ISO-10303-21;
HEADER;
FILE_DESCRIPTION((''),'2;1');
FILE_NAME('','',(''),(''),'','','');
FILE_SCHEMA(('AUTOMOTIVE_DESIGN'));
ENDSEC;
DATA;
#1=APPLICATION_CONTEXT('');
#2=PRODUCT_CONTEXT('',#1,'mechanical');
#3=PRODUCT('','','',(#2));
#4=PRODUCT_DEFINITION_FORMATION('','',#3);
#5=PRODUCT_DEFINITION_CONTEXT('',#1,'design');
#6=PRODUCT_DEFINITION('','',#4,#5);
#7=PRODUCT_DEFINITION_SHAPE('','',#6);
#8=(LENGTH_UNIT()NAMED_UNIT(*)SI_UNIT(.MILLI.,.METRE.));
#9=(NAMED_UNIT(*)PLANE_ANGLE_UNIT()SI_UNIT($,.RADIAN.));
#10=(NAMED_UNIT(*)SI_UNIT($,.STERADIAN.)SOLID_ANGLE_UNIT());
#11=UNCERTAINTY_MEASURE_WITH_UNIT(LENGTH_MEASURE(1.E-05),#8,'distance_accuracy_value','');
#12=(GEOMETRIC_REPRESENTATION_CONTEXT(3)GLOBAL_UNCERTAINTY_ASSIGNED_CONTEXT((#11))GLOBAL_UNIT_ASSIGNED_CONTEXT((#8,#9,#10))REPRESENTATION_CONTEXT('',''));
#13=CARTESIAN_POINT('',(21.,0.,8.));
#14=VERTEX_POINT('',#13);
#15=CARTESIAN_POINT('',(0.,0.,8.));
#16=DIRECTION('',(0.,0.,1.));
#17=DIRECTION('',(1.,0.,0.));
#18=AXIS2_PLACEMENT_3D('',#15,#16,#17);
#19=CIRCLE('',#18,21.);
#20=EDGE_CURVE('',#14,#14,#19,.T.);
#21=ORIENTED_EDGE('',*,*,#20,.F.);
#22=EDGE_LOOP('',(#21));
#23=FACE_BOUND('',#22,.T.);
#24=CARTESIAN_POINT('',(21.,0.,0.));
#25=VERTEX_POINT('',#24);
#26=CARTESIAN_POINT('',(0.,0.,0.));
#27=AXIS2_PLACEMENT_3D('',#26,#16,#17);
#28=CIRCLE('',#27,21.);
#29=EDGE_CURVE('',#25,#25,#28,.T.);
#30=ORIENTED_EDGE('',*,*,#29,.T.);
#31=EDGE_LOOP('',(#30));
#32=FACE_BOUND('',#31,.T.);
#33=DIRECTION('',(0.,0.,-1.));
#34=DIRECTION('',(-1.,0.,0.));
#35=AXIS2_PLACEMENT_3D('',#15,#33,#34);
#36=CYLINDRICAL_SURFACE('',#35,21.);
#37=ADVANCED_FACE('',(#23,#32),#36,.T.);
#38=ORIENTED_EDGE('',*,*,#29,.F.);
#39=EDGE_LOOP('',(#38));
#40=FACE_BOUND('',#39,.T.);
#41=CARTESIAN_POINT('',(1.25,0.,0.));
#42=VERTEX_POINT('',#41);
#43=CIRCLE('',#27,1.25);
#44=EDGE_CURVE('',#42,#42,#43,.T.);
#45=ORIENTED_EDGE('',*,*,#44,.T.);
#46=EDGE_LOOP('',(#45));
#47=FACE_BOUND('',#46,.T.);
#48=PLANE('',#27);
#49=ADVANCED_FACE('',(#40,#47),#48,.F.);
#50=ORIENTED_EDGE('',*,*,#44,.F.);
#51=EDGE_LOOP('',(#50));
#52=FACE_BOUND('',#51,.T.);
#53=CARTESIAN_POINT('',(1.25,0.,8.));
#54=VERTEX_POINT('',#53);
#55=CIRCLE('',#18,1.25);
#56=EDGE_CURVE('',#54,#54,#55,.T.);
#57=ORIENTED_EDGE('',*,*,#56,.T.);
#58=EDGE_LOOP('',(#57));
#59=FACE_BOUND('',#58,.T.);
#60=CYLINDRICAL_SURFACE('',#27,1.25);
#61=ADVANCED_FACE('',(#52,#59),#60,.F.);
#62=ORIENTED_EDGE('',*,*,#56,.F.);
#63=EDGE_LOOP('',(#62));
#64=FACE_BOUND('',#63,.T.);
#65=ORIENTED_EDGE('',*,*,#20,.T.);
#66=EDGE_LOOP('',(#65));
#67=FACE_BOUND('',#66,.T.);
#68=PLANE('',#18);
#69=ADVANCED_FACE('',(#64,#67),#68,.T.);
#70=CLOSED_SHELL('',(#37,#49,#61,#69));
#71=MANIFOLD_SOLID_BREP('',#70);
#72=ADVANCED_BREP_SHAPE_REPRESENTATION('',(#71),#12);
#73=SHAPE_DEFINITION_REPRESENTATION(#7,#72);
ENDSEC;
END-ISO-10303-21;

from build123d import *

# Parameters (mm, degrees)
SKETCH1_R           = 21
BOSS_EXTRUDE1_DEPTH = 8
SKETCH2_R           = 1.25
CUT_EXTRUDE1_DEPTH  = 8


with BuildPart() as part:
    # Sketch1 → Boss-Extrude1 (new body)
    with BuildSketch(Plane.XY):
        Circle(SKETCH1_R)
    extrude(amount=BOSS_EXTRUDE1_DEPTH)

    # Sketch2 → Cut-Extrude1 (cut)
    with BuildSketch(Plane.XY.offset(8)):
        Circle(SKETCH2_R)
    extrude(amount=-CUT_EXTRUDE1_DEPTH, mode=Mode.SUBTRACT)


solid = part.part
